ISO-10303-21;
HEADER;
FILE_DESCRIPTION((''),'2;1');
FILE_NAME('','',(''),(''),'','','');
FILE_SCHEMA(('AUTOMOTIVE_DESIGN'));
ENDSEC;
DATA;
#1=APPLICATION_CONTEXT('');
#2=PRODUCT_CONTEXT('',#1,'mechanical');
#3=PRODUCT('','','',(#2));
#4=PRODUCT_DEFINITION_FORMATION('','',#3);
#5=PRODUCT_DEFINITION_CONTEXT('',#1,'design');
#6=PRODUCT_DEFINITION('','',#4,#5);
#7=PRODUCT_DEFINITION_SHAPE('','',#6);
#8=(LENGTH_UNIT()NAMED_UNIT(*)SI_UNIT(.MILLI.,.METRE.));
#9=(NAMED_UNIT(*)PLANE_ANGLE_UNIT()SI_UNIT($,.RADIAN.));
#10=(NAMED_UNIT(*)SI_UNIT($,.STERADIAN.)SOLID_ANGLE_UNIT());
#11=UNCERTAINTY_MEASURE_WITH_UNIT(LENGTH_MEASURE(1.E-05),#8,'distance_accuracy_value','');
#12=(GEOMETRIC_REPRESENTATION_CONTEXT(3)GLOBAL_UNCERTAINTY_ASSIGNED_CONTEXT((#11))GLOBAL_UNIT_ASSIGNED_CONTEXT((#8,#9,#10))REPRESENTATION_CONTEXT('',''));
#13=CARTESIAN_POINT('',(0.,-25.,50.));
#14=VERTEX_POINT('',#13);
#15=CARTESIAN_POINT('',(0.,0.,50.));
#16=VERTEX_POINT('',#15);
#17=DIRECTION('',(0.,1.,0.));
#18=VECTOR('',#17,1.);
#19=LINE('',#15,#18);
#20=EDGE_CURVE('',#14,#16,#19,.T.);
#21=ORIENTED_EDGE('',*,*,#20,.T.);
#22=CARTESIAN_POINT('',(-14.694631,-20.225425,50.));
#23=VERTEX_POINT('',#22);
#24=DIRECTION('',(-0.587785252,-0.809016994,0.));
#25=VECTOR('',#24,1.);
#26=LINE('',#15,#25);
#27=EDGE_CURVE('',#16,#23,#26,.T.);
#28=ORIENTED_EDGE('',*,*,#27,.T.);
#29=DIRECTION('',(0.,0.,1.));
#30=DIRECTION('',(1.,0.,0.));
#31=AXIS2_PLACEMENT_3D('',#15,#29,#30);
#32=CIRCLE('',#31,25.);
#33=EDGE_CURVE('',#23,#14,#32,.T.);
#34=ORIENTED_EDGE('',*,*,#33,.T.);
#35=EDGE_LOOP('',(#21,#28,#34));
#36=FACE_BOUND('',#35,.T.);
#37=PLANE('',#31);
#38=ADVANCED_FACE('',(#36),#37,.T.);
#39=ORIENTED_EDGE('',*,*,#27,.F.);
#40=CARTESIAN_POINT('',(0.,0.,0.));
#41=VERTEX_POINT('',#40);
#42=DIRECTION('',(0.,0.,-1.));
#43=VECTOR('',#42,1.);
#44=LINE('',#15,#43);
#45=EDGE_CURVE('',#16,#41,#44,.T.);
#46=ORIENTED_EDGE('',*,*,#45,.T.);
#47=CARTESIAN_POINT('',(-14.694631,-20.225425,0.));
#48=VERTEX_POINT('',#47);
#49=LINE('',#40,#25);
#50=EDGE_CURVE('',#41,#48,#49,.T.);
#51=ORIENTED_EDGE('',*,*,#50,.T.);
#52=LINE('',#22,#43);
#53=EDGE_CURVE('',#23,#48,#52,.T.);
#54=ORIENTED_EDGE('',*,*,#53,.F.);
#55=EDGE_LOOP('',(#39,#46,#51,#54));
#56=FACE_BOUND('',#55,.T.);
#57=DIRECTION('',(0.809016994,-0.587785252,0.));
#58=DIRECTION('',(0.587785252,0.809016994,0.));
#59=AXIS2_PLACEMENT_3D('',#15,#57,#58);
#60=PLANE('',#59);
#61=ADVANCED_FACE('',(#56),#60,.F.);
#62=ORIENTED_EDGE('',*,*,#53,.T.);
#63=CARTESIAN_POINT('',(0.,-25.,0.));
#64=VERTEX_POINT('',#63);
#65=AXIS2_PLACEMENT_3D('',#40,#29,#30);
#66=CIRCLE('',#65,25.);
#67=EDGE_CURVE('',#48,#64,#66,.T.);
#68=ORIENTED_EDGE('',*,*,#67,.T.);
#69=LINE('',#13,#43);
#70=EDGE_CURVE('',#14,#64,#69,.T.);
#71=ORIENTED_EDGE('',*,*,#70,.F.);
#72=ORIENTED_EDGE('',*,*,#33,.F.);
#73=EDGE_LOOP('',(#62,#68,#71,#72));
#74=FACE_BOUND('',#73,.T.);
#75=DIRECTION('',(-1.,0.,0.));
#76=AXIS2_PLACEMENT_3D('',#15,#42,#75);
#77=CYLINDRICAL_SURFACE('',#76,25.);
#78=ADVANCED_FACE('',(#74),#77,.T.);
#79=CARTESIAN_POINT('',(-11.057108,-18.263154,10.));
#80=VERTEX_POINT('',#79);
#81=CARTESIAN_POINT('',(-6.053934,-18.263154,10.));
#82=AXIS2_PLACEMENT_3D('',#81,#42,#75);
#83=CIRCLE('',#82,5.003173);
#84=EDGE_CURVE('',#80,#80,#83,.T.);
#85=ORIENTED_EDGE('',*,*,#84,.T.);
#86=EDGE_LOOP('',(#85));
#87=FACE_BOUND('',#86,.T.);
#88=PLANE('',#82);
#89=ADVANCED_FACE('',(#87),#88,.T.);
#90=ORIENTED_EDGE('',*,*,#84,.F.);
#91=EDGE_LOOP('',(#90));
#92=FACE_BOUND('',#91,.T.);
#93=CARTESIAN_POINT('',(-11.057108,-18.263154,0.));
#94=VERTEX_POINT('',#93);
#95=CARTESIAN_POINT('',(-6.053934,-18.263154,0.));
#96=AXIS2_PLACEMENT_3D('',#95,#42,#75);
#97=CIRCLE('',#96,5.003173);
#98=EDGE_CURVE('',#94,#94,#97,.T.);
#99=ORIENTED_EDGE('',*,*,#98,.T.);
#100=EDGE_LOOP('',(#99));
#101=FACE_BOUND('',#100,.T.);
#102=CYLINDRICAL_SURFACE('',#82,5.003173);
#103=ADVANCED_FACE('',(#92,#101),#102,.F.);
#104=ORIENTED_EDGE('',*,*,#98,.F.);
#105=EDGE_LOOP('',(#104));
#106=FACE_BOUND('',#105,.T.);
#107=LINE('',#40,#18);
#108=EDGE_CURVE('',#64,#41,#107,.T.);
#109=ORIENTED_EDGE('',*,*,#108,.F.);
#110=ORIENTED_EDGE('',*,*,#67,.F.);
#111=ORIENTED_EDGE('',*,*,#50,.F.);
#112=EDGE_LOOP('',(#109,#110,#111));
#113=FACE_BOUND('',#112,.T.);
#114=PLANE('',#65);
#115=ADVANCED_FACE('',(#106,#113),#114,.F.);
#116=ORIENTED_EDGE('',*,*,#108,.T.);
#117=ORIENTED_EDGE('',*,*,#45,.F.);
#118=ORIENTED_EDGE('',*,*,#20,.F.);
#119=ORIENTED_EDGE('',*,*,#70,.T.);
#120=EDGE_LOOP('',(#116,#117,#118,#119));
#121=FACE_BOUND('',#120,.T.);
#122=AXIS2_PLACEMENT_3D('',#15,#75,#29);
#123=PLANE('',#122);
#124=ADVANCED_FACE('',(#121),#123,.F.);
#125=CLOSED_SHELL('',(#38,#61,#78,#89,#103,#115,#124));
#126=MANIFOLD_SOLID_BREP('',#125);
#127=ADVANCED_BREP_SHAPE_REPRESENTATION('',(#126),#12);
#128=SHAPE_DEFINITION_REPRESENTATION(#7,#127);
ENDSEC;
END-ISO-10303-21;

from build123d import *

# Parameters (mm, degrees)
SALIENTE_EXTRUIR1_DEPTH = 50
CROQUIS2_R              = 5.003173493
CORTAR_EXTRUIR1_DEPTH   = 10


with BuildPart() as part:
    # Croquis1 → Saliente-Extruir1 (new body)
    with BuildSketch(Plane.XY):
        with BuildLine():
            Line((0, 0), (0, -25))
            ThreePointArc((0, -25), (-7.725424859, -23.776412907), (-14.694631307, -20.225424859))
            Line((-14.694631307, -20.225424859), (0, 0))
        make_face()
    extrude(amount=SALIENTE_EXTRUIR1_DEPTH)

    # Croquis2 → Cortar-Extruir1 (cut)
    with BuildSketch(Plane(origin=(0, 0, 0), x_dir=(-1, 0, 0), z_dir=(0, 0, -1))):
        with Locations((6.053934484, -18.263154328)):
            Circle(CROQUIS2_R)
    extrude(amount=-CORTAR_EXTRUIR1_DEPTH, mode=Mode.SUBTRACT)


solid = part.part
